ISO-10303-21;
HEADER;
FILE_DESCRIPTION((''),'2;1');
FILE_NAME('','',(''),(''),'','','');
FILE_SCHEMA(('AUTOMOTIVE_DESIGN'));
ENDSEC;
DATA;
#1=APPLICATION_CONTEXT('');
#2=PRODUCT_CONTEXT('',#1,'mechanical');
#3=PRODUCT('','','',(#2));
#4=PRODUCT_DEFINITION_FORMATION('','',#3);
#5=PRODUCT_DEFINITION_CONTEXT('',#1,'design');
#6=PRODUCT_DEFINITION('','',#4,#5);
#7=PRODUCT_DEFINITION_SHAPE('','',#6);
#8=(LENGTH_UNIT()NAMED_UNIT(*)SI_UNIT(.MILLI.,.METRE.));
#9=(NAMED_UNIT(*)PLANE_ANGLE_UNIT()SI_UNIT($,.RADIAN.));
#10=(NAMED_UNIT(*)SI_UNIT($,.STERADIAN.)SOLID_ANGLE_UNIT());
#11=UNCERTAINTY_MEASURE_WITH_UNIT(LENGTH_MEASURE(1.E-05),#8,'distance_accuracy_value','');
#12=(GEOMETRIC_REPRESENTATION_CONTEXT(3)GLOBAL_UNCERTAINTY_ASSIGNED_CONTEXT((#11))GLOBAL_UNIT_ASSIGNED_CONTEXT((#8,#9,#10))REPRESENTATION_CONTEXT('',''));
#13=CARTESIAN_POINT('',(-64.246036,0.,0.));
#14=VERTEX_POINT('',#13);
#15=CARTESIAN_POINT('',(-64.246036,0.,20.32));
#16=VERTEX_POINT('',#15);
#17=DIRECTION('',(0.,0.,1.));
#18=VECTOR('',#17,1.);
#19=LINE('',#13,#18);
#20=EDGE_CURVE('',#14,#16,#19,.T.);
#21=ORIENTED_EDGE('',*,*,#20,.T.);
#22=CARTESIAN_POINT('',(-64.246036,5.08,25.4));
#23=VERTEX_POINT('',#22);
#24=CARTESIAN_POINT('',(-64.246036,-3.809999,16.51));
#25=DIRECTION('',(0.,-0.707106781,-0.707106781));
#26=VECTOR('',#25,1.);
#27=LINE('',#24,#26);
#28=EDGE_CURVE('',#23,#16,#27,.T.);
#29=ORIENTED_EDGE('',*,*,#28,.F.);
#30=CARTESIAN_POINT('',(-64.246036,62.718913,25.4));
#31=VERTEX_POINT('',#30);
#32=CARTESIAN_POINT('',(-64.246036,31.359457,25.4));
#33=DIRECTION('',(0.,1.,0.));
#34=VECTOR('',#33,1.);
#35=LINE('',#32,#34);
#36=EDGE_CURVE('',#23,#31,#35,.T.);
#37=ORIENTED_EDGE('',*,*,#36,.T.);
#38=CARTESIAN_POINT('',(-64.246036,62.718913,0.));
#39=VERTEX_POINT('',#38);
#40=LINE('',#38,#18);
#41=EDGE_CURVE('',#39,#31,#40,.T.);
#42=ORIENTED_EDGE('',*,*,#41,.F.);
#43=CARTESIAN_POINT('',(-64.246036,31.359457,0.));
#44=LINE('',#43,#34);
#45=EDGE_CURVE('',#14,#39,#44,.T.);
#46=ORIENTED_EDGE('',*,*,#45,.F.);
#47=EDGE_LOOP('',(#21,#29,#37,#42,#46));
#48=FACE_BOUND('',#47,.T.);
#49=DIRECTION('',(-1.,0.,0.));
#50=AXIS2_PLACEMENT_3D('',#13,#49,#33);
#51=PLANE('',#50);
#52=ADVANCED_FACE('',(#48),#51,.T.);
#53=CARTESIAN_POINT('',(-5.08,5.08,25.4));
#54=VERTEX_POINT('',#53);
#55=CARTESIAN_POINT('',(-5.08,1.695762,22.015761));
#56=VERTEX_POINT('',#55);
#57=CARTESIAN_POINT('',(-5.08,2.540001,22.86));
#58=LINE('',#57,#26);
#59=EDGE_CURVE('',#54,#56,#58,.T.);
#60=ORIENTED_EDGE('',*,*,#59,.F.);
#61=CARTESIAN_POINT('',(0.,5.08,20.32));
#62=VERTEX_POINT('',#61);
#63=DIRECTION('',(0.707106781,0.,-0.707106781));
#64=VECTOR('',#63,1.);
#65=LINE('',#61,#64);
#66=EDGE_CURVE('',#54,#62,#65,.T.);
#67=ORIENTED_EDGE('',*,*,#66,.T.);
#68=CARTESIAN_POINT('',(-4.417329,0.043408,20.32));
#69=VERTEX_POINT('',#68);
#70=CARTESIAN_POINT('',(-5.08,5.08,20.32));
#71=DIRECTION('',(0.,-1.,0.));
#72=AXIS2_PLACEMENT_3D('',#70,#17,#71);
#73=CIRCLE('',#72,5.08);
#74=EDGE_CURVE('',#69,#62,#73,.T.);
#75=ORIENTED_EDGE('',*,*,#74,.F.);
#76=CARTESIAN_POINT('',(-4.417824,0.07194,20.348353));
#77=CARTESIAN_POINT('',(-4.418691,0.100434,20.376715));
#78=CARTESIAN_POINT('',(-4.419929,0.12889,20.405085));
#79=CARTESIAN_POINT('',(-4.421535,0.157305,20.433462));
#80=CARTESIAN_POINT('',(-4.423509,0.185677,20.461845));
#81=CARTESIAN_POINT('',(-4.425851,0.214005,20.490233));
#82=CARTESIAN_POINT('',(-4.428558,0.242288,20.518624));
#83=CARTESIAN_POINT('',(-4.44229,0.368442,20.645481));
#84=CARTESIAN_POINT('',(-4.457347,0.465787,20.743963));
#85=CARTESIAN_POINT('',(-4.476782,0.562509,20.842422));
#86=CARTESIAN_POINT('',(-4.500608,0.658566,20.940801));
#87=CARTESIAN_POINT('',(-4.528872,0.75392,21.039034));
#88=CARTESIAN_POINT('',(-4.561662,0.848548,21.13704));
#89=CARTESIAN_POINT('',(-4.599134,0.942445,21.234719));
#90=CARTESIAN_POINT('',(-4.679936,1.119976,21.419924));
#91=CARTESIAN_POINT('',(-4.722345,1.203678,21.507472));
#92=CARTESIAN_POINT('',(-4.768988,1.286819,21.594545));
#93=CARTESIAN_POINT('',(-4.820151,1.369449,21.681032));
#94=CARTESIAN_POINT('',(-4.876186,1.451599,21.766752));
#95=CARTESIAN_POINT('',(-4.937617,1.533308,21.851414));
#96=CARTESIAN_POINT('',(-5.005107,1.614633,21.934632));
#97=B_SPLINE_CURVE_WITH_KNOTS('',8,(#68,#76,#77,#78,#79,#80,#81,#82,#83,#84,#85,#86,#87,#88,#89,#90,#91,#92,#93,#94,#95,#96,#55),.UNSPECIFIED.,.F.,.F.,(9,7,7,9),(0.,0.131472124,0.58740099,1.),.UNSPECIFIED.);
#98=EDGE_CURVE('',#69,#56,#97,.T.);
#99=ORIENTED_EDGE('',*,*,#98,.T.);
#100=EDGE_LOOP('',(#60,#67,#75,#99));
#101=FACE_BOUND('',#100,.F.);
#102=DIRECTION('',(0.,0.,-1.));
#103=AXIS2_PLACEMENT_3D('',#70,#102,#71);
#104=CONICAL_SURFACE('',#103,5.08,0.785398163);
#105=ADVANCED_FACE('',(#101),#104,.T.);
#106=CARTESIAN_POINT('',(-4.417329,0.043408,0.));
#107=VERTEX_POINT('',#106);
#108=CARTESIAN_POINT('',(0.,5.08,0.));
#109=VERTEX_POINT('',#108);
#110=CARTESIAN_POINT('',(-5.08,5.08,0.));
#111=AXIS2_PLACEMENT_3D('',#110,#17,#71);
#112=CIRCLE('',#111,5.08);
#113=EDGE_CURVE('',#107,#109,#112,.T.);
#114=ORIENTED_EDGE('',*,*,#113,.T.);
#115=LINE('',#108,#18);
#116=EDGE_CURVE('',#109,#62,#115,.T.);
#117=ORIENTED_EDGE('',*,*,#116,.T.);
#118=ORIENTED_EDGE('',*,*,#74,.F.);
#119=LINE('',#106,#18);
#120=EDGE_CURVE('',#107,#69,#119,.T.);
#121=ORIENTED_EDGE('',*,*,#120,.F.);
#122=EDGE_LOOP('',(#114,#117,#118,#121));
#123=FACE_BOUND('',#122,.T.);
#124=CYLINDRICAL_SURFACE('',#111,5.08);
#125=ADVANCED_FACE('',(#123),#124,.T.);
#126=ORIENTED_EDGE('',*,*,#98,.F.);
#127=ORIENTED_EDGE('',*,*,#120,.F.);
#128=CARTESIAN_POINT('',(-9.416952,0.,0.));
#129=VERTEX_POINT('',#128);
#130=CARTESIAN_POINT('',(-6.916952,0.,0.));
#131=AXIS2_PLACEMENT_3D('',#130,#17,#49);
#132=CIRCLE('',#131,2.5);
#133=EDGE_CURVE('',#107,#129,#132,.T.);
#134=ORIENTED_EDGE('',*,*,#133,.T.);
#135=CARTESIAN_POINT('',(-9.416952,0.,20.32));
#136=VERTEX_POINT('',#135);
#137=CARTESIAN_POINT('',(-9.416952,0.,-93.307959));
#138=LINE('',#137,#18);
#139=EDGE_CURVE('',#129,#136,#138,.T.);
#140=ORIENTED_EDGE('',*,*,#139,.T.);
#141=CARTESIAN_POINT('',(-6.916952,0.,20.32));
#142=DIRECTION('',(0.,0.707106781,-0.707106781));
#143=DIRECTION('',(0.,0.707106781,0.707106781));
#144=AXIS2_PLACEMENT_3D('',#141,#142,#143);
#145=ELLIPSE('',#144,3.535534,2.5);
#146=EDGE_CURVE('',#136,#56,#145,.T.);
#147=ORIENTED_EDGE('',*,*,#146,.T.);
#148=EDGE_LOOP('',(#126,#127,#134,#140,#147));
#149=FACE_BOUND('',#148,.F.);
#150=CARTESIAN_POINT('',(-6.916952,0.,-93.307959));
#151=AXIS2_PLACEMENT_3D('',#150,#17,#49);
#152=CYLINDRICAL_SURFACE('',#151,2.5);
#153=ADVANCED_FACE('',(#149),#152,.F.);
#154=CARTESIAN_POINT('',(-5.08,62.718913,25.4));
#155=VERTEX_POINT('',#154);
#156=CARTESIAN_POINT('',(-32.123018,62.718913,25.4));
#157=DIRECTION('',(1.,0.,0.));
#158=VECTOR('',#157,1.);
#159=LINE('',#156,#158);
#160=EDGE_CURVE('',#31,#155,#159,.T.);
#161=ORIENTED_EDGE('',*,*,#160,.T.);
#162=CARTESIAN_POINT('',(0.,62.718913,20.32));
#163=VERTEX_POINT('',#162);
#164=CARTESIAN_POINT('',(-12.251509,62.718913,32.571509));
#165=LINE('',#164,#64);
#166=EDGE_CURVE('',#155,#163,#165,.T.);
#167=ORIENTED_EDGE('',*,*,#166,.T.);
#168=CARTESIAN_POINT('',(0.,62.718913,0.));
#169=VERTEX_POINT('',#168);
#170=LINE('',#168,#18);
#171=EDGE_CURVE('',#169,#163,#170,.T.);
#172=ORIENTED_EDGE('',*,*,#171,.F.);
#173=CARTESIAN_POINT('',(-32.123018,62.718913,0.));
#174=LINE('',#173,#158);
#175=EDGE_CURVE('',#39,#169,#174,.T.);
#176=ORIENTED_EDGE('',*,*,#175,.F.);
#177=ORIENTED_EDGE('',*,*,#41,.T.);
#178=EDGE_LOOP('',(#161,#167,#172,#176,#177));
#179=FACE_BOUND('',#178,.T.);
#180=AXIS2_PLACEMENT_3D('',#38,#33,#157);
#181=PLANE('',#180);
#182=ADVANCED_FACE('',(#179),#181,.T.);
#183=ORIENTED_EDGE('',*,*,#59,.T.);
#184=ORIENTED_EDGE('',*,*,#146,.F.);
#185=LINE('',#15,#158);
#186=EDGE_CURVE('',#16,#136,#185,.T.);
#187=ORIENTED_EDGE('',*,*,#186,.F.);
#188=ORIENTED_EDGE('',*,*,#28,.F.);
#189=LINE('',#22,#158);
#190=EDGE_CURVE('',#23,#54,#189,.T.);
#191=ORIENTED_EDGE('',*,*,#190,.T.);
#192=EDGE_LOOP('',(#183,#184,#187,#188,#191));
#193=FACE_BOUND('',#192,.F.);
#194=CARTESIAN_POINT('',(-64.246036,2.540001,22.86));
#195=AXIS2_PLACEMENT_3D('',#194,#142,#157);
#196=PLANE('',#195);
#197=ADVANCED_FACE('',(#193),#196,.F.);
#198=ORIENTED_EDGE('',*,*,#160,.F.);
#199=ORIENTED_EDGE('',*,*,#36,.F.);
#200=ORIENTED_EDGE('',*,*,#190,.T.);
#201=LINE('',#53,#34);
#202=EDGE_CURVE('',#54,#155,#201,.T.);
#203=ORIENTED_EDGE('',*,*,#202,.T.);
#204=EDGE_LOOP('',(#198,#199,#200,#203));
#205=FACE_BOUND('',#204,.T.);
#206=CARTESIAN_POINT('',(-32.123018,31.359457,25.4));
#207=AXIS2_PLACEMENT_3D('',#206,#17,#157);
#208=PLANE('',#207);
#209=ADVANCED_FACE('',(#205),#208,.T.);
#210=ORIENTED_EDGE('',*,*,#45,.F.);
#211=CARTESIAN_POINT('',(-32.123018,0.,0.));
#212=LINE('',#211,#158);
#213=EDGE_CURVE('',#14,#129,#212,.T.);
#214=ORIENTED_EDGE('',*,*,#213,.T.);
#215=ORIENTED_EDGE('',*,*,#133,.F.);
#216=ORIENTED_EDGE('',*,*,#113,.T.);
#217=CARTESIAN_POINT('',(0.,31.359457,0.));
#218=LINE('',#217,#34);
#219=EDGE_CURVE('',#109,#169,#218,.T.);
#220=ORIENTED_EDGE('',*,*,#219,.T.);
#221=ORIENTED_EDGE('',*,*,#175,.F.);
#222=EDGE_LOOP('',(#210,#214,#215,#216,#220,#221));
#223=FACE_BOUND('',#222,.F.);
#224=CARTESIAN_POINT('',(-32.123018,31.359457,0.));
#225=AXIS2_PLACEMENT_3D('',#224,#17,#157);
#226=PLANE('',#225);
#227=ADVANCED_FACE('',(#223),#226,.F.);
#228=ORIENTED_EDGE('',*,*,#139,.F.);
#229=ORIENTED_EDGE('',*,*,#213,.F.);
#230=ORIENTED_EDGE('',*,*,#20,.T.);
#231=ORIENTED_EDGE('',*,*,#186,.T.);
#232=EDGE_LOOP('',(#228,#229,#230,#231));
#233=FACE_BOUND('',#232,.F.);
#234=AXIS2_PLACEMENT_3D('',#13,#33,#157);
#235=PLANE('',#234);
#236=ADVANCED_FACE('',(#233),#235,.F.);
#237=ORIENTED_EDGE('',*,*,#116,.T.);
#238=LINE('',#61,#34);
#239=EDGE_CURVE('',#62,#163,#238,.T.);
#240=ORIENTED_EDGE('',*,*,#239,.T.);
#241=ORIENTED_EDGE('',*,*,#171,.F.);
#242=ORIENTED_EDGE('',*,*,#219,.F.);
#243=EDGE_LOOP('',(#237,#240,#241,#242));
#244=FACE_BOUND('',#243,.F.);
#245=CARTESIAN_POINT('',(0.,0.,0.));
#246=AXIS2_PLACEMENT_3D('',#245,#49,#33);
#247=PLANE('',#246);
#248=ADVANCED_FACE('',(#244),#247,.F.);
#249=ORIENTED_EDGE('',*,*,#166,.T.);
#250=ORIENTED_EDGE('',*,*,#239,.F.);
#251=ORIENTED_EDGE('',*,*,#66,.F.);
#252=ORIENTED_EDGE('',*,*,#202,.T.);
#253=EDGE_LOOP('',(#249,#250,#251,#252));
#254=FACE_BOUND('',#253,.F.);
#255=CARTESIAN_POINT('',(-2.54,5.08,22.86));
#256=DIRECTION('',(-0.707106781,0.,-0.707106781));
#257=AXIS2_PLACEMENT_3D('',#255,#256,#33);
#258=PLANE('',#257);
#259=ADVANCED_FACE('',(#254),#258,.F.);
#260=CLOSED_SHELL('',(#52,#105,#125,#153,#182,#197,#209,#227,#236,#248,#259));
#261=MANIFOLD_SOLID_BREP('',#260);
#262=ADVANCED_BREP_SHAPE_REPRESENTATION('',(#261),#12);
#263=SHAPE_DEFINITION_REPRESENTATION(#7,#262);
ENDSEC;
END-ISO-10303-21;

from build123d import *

# Parameters (mm, degrees)
F0_W     = 64.246036
F0_H     = 62.718913
F2_DEPTH = 25.4
F3_R     = 5.08
F4_SIZE  = 5.08
F5_D     = 5


with BuildPart() as f2:
    # F0 (on Top) → F2 (new body)
    with BuildSketch(Plane.XY):
        with Locations((-32.123018, 31.359457)):
            Rectangle(F0_W, F0_H)
    extrude(amount=F2_DEPTH)

    # F3
    f3_edges = [f2.edges().sort_by_distance(p)[0] for p in [
        (0, 0, 12.7),
    ]]
    fillet(f3_edges, radius=F3_R)

    # F4
    f4_edges = [f2.edges().sort_by_distance(p)[0] for p in [
        (0, 33.899456, 25.4),
    ]]
    chamfer(f4_edges, length=F4_SIZE)

    # F5 (through all)
    with Locations(Plane(origin=(0, 0, 0), x_dir=(1, 0, 0), z_dir=(0, 0, -1))):
        with Locations((-6.916952, 0)):
            Hole(F5_D / 2)


solid = f2.part
